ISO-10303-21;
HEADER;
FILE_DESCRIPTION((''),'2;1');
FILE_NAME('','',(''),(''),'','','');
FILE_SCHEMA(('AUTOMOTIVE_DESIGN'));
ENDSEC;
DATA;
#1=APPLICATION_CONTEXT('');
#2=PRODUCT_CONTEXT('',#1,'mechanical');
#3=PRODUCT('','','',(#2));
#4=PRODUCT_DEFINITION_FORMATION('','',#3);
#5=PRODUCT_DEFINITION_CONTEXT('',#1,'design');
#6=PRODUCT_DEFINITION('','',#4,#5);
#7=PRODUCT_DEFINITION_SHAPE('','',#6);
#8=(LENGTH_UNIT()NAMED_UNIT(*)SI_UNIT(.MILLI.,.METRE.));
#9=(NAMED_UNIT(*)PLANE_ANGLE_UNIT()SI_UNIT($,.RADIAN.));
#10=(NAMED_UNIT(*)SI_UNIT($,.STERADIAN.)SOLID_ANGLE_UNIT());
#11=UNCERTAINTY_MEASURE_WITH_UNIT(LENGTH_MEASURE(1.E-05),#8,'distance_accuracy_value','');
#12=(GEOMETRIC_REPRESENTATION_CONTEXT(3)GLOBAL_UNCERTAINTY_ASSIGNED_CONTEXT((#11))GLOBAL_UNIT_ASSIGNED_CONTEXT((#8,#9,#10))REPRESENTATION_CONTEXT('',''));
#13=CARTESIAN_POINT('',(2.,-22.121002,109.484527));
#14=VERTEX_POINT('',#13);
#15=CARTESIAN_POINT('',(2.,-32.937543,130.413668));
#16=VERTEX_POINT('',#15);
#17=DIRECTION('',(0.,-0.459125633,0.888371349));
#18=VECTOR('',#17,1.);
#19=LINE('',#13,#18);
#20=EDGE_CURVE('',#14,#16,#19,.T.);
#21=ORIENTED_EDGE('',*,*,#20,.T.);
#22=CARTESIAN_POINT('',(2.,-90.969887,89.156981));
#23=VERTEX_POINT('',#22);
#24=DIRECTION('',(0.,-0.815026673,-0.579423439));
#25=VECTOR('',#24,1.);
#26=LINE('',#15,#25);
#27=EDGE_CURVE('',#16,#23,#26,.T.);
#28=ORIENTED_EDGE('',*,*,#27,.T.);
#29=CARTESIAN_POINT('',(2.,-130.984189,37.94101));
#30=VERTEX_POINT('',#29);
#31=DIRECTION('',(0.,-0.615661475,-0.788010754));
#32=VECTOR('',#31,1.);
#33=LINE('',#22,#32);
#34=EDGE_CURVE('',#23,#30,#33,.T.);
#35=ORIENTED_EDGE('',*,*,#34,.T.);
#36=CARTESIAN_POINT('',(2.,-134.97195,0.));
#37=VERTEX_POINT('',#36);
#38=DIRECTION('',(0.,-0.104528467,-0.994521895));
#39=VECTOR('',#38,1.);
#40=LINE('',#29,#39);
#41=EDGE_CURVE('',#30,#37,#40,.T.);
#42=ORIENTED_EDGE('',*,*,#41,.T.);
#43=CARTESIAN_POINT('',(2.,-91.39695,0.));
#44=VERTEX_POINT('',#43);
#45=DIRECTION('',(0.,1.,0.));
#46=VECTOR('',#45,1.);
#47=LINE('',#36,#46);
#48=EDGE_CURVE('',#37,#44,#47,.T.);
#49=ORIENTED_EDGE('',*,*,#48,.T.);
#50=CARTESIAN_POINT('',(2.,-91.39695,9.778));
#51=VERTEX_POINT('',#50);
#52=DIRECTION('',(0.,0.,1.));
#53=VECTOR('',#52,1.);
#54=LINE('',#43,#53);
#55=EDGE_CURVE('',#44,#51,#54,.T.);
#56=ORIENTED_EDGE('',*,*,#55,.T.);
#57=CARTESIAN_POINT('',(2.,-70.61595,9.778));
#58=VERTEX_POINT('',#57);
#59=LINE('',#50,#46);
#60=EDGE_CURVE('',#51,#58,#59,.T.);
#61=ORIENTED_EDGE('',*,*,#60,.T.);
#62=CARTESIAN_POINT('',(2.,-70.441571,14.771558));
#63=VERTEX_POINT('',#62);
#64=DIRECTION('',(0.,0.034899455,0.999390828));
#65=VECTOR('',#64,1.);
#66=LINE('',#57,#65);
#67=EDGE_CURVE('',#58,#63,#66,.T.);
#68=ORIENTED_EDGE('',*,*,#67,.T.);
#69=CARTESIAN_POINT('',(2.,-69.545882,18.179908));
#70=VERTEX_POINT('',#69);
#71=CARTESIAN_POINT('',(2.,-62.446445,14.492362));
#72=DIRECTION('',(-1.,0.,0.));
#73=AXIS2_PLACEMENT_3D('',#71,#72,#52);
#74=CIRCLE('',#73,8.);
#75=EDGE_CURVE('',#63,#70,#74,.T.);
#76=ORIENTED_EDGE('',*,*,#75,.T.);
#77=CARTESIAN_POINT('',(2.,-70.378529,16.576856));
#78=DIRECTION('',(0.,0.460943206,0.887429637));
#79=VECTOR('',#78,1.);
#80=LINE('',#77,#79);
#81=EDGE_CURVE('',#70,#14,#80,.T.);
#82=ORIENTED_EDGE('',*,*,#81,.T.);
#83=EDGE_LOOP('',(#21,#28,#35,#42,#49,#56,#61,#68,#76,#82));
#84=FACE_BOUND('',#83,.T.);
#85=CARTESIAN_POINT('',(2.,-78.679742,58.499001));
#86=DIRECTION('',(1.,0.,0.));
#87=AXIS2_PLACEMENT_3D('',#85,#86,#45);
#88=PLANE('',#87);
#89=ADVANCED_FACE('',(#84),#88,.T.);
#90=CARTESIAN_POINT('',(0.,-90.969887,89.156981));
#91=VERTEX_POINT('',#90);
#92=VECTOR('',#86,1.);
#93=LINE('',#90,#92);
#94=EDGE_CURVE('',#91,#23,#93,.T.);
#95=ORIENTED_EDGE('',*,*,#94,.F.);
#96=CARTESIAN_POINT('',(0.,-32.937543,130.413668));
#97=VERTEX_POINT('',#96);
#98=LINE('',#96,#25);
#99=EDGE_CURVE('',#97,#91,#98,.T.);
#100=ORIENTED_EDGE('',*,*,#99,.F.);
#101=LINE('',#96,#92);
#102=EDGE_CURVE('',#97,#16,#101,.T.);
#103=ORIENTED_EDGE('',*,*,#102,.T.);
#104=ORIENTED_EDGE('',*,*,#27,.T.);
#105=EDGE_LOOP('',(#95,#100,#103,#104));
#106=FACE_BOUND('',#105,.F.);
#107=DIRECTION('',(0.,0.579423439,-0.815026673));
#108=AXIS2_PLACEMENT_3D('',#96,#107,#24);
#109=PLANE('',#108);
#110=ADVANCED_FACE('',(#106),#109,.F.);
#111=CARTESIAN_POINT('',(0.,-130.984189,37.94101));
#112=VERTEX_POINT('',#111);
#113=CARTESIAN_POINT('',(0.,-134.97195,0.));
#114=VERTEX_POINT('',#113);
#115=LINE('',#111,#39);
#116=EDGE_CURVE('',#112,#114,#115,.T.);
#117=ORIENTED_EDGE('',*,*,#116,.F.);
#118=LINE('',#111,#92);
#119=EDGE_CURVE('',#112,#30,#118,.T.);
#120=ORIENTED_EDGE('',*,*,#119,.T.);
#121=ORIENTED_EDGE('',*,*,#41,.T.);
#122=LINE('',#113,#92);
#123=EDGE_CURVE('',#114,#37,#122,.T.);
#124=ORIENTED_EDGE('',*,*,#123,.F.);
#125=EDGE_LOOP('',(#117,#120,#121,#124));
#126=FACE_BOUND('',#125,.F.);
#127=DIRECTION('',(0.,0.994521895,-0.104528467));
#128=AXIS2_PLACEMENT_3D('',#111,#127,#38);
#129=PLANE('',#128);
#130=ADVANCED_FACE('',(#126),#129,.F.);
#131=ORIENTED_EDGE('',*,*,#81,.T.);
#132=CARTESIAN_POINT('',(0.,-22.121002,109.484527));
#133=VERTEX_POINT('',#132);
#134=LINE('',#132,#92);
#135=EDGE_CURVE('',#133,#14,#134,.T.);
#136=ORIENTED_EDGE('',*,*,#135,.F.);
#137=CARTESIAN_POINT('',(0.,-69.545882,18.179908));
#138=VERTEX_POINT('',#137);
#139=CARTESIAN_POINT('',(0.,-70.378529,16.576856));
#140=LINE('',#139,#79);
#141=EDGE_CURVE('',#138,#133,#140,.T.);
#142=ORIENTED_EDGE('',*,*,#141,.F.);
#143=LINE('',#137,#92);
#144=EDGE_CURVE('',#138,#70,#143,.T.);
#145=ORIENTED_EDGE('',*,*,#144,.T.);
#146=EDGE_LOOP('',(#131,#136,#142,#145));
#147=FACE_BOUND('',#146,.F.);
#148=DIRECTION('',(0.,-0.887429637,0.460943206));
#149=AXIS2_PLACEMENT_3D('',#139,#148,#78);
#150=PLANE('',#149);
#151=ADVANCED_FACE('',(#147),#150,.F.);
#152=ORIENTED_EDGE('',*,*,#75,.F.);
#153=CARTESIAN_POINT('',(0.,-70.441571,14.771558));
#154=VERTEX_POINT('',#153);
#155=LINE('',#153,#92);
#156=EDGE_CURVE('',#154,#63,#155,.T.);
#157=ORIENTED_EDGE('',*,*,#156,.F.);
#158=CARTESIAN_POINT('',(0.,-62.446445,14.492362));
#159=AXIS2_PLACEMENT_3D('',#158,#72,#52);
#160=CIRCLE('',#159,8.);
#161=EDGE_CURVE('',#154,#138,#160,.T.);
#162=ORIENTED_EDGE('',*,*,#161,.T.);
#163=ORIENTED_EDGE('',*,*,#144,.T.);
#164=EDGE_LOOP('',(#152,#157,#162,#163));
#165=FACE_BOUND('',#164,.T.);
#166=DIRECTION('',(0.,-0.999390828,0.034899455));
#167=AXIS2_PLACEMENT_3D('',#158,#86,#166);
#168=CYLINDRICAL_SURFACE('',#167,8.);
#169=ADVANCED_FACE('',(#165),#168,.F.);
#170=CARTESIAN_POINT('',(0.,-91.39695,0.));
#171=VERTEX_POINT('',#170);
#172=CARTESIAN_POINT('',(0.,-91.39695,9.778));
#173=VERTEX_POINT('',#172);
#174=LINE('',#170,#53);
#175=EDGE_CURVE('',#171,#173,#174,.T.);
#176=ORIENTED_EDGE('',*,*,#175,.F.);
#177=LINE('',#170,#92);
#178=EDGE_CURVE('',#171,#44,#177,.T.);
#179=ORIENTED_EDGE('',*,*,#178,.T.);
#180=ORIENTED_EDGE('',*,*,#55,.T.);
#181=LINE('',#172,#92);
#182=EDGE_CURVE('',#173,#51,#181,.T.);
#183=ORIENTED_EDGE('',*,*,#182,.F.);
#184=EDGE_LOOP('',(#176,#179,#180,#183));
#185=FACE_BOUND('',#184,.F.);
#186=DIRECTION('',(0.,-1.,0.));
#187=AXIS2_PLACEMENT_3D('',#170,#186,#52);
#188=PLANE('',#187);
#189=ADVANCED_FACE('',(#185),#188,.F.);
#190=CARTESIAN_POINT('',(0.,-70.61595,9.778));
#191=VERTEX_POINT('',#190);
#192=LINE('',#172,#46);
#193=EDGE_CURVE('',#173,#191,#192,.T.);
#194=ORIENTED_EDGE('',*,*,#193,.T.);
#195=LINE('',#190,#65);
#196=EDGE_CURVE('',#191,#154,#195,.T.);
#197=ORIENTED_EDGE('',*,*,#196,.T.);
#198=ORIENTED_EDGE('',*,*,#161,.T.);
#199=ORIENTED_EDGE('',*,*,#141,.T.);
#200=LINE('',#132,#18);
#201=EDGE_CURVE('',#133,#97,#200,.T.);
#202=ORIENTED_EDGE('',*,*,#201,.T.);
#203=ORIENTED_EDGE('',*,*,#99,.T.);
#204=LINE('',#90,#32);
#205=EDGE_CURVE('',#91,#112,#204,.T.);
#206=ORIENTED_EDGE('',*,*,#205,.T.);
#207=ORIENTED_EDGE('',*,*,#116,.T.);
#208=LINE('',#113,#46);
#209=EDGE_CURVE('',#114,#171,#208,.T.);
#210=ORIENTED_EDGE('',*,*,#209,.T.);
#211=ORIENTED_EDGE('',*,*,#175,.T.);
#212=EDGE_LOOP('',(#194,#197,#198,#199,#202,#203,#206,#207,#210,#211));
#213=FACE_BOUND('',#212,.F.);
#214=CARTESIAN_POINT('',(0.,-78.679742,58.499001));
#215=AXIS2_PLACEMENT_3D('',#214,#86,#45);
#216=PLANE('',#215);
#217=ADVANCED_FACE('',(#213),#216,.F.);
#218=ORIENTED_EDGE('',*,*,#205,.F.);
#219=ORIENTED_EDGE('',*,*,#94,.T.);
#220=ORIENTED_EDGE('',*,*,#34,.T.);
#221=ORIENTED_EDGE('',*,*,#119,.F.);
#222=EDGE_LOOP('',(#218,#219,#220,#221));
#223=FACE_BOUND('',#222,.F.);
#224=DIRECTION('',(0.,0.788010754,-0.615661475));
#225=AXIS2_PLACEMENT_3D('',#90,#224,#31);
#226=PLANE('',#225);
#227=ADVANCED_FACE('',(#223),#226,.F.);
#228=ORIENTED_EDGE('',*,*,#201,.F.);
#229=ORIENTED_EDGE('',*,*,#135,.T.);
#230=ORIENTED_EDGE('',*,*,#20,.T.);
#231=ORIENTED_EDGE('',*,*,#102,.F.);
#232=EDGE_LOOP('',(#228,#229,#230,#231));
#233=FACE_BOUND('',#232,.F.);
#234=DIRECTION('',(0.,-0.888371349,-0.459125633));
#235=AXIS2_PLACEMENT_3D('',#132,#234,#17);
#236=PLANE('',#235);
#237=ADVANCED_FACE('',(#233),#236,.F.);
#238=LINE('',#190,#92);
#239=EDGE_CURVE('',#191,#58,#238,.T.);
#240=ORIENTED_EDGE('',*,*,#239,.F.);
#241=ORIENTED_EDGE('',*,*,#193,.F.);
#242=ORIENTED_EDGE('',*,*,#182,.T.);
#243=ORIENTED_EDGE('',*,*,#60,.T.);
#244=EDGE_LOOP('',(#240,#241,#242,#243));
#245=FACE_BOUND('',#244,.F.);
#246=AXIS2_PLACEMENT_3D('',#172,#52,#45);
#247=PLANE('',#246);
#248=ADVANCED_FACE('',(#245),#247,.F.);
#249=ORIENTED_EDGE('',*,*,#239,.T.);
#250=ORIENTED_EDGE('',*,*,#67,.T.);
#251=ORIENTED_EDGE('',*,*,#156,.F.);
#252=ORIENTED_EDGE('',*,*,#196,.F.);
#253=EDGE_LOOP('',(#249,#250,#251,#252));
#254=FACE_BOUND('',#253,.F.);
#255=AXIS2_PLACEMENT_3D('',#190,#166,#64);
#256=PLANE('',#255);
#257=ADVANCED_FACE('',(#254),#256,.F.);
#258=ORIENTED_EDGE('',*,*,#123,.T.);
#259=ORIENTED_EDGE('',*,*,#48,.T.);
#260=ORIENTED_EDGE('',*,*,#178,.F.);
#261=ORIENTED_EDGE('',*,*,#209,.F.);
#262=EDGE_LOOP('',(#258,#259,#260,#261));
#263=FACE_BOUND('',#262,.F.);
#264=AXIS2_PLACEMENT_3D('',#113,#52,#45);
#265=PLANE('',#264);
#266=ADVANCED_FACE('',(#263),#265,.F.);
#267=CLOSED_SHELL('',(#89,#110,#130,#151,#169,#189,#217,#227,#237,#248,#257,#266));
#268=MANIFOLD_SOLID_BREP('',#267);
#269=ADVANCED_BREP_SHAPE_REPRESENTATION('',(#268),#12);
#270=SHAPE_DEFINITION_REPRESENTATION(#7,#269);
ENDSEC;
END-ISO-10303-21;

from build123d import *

# Parameters (mm, degrees)
F1_DEPTH = 2
F2_R     = 8


with BuildPart() as f1:
    # F0 (on Right) → F1 (new body)
    with BuildSketch(Plane.YZ):
        Polygon((-130.984189, 37.94101), (-134.97195, 0), (-91.39695, 0), (-91.39695, 9.778), (-70.61595, 9.778), (-70.378529, 16.576856), (-22.121002, 109.484527), (-32.937543, 130.413668), (-90.969887, 89.156981), align=None)
    extrude(amount=F1_DEPTH)

    # F2
    f2_edges = [f1.edges().sort_by_distance(p)[0] for p in [
        (1, -70.378529, 16.576856),
    ]]
    fillet(f2_edges, radius=F2_R)


solid = f1.part
